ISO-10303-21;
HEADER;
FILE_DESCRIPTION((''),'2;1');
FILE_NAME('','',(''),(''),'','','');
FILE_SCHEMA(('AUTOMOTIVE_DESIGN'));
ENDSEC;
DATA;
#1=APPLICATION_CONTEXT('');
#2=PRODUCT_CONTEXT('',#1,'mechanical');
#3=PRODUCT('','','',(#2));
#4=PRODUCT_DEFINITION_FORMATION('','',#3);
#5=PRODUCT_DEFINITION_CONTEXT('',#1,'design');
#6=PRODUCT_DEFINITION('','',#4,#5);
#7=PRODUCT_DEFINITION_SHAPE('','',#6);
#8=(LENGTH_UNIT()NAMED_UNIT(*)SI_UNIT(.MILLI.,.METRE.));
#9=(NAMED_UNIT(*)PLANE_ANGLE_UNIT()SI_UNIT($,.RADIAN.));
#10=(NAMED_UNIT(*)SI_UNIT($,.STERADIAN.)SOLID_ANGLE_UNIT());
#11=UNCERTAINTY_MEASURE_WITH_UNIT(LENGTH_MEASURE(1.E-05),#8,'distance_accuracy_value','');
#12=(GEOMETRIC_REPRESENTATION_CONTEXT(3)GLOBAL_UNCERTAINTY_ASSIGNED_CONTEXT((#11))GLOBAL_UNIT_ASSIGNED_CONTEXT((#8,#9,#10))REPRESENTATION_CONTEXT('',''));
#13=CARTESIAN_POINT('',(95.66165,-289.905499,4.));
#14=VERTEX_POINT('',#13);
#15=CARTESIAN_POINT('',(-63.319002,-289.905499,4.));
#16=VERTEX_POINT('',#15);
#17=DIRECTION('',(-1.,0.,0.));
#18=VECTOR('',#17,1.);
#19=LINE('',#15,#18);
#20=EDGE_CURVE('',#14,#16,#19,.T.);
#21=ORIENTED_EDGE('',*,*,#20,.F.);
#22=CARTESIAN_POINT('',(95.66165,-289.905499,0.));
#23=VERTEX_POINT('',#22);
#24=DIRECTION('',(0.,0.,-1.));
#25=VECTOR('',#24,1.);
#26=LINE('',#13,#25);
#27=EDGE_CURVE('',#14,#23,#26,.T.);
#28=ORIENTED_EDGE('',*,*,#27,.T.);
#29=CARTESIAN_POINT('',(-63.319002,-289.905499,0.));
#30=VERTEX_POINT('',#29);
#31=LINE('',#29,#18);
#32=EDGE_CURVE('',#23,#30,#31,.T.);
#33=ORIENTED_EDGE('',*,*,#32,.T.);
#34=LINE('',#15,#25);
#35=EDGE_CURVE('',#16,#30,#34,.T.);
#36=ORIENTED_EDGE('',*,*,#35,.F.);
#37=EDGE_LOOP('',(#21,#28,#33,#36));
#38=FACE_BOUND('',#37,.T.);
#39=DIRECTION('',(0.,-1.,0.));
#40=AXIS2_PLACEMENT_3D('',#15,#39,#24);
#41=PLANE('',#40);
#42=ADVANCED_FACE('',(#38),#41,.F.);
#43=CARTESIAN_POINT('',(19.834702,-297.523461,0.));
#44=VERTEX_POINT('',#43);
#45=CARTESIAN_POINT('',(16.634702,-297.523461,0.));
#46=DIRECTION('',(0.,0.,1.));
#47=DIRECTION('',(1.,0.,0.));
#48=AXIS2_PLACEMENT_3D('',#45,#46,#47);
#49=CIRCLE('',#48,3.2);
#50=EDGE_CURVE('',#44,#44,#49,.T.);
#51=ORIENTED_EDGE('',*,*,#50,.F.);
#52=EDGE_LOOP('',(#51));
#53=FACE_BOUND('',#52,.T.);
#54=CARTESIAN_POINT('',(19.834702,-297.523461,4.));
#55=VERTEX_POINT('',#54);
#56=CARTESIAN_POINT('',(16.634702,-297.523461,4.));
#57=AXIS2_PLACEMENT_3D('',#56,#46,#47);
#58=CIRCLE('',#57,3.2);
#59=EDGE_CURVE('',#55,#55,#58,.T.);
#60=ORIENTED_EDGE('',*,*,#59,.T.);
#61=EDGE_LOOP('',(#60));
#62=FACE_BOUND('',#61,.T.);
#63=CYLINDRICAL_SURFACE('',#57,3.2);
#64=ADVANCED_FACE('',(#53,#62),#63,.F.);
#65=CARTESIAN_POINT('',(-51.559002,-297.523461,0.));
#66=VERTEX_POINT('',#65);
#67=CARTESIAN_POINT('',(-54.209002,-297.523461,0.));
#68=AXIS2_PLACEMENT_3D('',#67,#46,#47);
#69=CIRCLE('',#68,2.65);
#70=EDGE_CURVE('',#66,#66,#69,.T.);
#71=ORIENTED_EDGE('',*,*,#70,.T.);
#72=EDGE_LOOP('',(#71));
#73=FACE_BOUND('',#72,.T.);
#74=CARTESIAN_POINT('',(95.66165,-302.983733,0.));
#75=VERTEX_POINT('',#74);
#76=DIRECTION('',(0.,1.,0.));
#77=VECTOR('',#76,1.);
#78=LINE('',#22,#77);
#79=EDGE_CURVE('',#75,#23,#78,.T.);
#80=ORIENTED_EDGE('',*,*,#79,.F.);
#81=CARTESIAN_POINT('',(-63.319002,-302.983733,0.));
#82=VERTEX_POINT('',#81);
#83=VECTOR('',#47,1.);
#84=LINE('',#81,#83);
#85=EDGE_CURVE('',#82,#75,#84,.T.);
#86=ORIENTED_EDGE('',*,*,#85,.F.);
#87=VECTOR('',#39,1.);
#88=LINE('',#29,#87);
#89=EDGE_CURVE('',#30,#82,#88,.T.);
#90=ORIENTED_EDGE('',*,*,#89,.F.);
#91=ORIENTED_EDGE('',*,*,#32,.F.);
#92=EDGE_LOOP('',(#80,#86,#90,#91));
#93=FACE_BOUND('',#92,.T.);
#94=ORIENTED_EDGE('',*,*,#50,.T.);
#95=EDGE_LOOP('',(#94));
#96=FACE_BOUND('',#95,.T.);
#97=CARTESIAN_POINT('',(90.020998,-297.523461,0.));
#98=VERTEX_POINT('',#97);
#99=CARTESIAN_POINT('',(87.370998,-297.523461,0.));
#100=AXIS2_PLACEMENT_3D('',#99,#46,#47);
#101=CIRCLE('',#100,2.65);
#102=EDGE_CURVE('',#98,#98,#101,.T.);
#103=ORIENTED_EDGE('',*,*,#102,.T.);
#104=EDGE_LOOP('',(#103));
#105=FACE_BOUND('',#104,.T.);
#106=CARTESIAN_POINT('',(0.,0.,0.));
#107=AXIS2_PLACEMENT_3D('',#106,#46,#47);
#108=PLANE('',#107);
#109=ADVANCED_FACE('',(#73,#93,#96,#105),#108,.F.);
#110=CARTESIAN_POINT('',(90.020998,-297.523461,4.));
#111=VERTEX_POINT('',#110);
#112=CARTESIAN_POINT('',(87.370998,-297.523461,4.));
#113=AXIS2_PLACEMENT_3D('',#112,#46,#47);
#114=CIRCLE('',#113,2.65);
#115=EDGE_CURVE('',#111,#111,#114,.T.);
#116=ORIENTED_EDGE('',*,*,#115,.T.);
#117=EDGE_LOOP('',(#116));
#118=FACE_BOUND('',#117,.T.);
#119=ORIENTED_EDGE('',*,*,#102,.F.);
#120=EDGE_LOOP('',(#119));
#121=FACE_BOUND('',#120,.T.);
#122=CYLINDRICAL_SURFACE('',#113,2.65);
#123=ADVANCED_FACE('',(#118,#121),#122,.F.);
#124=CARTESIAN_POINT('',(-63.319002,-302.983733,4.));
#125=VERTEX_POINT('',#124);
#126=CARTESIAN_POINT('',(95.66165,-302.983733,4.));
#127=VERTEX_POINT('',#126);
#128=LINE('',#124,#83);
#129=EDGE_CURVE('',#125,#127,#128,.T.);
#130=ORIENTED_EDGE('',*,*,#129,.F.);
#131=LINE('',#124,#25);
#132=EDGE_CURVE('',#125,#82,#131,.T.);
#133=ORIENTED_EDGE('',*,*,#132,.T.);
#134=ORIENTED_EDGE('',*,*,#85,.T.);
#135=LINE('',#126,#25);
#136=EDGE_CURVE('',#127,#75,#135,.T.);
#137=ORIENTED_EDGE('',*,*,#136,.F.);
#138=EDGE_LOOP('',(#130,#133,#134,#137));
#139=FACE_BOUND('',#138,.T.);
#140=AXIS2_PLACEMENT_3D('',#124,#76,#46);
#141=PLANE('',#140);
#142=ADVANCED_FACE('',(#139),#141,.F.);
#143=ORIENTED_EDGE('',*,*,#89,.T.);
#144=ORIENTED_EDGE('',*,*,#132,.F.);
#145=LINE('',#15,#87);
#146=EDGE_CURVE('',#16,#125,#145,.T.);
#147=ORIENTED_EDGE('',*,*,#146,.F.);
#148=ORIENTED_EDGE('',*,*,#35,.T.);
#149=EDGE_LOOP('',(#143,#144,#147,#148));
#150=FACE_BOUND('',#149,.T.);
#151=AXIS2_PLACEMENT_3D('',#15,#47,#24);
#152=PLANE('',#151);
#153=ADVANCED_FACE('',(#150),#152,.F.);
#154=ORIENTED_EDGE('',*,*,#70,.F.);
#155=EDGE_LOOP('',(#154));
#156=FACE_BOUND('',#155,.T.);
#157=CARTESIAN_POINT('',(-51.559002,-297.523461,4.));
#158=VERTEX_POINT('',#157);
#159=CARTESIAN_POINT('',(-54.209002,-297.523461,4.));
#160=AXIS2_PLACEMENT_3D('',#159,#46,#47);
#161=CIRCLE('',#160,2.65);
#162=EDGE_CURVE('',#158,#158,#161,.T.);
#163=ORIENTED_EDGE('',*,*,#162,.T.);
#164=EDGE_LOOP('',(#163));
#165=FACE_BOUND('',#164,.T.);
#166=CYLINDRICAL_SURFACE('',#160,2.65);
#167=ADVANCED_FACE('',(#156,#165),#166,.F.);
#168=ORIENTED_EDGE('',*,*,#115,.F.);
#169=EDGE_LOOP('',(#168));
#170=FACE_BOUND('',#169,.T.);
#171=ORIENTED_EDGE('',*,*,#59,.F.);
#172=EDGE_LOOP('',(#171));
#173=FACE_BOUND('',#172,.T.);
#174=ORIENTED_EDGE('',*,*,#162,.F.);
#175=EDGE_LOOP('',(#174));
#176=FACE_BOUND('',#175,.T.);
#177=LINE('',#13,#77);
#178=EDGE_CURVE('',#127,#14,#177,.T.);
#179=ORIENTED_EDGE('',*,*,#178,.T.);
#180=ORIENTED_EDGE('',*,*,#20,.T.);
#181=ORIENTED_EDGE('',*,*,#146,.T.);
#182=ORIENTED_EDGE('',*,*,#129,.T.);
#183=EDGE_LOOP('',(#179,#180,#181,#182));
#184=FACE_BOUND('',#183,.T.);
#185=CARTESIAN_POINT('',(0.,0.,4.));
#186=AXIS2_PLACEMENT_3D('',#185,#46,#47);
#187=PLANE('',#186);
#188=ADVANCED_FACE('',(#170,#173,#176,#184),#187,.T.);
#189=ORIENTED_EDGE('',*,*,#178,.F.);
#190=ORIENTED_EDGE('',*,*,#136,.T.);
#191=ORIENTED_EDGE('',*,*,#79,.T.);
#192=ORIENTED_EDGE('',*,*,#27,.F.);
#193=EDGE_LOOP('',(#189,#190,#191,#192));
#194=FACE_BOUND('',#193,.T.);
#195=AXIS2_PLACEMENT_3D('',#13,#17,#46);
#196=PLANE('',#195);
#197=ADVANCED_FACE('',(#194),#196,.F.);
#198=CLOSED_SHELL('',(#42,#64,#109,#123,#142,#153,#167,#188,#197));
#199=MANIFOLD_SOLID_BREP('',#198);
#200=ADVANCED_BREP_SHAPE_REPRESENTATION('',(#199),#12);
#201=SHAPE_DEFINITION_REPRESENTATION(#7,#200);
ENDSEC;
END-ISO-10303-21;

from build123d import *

# Parameters (mm, degrees)
SKETCH1_W            = 158.980651351
SKETCH1_H            = 13.078234564
BOSS_EXTRUDE1_DEPTH  = 4
M5_CLEARANCE_HOLE1_D = 5.3
M6_CLEARANCE_HOLE2_D = 6.4


with BuildPart() as part:
    # Sketch1 → Boss-Extrude1 (new body)
    with BuildSketch(Plane.XY):
        with Locations((16.171323843, -296.4446159)):
            Rectangle(SKETCH1_W, SKETCH1_H)
    extrude(amount=BOSS_EXTRUDE1_DEPTH)

    # M5 Clearance Hole1 (through all)
    with Locations(Plane.XY.offset(4)):
        with Locations((87.370998167, -297.523461342), (-54.209001833, -297.523461342)):
            Hole(M5_CLEARANCE_HOLE1_D / 2)

    # M6 Clearance Hole2 (through all)
    with Locations(Plane.XY.offset(4)):
        with Locations((16.634702444, -297.523461342)):
            Hole(M6_CLEARANCE_HOLE2_D / 2)


solid = part.part
